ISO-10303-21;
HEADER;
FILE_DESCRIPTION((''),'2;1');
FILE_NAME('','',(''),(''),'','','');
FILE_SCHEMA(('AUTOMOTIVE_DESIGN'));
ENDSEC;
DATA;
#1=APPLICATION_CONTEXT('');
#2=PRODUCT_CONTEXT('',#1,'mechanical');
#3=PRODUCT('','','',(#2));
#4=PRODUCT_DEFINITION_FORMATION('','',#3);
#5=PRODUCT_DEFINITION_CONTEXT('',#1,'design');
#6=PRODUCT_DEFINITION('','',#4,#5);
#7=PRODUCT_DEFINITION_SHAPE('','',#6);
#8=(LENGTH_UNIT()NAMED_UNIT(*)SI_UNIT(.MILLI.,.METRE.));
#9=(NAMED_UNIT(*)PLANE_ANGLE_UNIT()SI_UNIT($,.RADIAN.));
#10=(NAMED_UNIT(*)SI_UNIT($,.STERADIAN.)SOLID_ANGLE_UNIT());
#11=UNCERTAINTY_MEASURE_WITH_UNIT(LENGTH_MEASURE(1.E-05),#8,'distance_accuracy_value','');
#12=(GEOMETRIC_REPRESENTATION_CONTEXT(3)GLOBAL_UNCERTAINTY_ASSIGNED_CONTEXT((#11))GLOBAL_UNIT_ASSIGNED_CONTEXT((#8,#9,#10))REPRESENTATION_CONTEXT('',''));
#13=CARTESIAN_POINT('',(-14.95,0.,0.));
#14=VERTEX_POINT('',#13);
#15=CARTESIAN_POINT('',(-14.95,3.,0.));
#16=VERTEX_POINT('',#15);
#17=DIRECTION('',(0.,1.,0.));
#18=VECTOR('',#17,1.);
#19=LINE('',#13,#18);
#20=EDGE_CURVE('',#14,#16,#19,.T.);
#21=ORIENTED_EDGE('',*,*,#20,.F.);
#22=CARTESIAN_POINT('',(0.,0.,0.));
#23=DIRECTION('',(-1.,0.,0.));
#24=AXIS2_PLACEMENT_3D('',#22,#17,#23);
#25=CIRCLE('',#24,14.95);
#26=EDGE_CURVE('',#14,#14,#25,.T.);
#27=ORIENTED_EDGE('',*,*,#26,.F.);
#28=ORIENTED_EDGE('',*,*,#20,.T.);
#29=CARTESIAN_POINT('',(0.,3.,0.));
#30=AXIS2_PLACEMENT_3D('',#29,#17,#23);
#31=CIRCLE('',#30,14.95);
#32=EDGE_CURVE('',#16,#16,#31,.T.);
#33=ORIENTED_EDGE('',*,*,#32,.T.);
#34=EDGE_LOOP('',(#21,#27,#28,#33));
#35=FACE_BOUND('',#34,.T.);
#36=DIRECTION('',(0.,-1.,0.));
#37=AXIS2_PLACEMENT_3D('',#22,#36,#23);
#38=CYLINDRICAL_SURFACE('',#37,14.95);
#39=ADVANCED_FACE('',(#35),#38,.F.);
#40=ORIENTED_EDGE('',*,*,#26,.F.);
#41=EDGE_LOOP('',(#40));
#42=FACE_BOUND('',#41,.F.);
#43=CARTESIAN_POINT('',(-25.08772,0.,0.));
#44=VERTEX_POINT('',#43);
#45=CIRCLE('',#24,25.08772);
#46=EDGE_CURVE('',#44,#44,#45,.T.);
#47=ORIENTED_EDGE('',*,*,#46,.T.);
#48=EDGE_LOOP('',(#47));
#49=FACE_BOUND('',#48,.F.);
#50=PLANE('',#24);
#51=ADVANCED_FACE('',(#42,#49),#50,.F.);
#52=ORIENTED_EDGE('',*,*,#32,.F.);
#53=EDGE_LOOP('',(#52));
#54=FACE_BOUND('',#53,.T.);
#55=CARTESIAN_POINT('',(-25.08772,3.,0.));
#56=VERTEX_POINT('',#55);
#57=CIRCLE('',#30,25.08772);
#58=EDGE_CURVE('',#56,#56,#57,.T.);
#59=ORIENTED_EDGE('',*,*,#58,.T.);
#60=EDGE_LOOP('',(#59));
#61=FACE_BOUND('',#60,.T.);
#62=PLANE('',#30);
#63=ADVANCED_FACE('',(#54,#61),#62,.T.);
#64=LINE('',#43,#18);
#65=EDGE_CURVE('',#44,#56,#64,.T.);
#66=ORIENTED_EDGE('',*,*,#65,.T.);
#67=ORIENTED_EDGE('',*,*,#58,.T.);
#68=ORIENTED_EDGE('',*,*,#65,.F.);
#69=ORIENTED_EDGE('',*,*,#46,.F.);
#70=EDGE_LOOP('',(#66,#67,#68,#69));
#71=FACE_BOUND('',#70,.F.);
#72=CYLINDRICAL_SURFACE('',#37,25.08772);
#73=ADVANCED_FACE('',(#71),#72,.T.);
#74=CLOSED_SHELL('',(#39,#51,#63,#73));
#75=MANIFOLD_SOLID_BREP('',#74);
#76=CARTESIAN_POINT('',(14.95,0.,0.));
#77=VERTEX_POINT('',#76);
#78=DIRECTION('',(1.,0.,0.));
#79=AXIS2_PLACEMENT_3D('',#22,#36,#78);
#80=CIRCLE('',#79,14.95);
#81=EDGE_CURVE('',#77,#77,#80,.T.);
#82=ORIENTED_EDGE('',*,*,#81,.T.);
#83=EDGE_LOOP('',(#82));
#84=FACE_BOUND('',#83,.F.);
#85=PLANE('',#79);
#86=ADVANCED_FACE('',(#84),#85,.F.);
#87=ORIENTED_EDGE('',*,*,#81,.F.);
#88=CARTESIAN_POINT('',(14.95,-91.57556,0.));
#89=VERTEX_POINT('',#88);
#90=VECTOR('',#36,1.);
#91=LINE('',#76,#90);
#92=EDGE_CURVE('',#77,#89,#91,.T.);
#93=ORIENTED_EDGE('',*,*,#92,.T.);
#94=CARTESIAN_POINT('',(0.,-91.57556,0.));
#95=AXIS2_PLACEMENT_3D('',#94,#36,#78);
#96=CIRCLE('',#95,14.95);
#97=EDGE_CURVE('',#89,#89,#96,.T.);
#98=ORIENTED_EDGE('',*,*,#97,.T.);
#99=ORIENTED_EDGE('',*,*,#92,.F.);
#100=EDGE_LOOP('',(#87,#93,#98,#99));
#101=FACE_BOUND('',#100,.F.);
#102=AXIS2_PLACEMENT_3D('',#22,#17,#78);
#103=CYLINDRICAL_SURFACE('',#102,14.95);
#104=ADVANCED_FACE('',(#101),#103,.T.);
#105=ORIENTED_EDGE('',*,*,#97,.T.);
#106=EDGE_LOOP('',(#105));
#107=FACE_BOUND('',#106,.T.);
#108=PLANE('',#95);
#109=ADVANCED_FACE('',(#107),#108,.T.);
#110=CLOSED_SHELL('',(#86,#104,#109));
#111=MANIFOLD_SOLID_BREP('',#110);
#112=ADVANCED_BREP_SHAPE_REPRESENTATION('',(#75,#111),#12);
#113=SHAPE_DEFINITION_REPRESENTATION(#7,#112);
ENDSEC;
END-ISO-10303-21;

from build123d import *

# Parameters (mm, degrees)
F0_R     = 14.95
F1_DEPTH = 91.57556
F2_R     = 25.08772
F2_R_2   = 14.95
F3_DEPTH = 3


with BuildPart() as f1:
    # F0 (on Front) → F1 (new body)
    with BuildSketch(Plane.XZ):
        Circle(F0_R)
    extrude(amount=F1_DEPTH)


with BuildPart() as f3:
    # F2 (on face) → F3 (new body)
    with BuildSketch(Plane(origin=(0, 0, 0), x_dir=(-1, 0, 0), z_dir=(0, 1, 0))):
        Circle(F2_R)
        Circle(F2_R_2, mode=Mode.SUBTRACT)
    extrude(amount=F3_DEPTH)


solid = Compound([f1.part, f3.part])
